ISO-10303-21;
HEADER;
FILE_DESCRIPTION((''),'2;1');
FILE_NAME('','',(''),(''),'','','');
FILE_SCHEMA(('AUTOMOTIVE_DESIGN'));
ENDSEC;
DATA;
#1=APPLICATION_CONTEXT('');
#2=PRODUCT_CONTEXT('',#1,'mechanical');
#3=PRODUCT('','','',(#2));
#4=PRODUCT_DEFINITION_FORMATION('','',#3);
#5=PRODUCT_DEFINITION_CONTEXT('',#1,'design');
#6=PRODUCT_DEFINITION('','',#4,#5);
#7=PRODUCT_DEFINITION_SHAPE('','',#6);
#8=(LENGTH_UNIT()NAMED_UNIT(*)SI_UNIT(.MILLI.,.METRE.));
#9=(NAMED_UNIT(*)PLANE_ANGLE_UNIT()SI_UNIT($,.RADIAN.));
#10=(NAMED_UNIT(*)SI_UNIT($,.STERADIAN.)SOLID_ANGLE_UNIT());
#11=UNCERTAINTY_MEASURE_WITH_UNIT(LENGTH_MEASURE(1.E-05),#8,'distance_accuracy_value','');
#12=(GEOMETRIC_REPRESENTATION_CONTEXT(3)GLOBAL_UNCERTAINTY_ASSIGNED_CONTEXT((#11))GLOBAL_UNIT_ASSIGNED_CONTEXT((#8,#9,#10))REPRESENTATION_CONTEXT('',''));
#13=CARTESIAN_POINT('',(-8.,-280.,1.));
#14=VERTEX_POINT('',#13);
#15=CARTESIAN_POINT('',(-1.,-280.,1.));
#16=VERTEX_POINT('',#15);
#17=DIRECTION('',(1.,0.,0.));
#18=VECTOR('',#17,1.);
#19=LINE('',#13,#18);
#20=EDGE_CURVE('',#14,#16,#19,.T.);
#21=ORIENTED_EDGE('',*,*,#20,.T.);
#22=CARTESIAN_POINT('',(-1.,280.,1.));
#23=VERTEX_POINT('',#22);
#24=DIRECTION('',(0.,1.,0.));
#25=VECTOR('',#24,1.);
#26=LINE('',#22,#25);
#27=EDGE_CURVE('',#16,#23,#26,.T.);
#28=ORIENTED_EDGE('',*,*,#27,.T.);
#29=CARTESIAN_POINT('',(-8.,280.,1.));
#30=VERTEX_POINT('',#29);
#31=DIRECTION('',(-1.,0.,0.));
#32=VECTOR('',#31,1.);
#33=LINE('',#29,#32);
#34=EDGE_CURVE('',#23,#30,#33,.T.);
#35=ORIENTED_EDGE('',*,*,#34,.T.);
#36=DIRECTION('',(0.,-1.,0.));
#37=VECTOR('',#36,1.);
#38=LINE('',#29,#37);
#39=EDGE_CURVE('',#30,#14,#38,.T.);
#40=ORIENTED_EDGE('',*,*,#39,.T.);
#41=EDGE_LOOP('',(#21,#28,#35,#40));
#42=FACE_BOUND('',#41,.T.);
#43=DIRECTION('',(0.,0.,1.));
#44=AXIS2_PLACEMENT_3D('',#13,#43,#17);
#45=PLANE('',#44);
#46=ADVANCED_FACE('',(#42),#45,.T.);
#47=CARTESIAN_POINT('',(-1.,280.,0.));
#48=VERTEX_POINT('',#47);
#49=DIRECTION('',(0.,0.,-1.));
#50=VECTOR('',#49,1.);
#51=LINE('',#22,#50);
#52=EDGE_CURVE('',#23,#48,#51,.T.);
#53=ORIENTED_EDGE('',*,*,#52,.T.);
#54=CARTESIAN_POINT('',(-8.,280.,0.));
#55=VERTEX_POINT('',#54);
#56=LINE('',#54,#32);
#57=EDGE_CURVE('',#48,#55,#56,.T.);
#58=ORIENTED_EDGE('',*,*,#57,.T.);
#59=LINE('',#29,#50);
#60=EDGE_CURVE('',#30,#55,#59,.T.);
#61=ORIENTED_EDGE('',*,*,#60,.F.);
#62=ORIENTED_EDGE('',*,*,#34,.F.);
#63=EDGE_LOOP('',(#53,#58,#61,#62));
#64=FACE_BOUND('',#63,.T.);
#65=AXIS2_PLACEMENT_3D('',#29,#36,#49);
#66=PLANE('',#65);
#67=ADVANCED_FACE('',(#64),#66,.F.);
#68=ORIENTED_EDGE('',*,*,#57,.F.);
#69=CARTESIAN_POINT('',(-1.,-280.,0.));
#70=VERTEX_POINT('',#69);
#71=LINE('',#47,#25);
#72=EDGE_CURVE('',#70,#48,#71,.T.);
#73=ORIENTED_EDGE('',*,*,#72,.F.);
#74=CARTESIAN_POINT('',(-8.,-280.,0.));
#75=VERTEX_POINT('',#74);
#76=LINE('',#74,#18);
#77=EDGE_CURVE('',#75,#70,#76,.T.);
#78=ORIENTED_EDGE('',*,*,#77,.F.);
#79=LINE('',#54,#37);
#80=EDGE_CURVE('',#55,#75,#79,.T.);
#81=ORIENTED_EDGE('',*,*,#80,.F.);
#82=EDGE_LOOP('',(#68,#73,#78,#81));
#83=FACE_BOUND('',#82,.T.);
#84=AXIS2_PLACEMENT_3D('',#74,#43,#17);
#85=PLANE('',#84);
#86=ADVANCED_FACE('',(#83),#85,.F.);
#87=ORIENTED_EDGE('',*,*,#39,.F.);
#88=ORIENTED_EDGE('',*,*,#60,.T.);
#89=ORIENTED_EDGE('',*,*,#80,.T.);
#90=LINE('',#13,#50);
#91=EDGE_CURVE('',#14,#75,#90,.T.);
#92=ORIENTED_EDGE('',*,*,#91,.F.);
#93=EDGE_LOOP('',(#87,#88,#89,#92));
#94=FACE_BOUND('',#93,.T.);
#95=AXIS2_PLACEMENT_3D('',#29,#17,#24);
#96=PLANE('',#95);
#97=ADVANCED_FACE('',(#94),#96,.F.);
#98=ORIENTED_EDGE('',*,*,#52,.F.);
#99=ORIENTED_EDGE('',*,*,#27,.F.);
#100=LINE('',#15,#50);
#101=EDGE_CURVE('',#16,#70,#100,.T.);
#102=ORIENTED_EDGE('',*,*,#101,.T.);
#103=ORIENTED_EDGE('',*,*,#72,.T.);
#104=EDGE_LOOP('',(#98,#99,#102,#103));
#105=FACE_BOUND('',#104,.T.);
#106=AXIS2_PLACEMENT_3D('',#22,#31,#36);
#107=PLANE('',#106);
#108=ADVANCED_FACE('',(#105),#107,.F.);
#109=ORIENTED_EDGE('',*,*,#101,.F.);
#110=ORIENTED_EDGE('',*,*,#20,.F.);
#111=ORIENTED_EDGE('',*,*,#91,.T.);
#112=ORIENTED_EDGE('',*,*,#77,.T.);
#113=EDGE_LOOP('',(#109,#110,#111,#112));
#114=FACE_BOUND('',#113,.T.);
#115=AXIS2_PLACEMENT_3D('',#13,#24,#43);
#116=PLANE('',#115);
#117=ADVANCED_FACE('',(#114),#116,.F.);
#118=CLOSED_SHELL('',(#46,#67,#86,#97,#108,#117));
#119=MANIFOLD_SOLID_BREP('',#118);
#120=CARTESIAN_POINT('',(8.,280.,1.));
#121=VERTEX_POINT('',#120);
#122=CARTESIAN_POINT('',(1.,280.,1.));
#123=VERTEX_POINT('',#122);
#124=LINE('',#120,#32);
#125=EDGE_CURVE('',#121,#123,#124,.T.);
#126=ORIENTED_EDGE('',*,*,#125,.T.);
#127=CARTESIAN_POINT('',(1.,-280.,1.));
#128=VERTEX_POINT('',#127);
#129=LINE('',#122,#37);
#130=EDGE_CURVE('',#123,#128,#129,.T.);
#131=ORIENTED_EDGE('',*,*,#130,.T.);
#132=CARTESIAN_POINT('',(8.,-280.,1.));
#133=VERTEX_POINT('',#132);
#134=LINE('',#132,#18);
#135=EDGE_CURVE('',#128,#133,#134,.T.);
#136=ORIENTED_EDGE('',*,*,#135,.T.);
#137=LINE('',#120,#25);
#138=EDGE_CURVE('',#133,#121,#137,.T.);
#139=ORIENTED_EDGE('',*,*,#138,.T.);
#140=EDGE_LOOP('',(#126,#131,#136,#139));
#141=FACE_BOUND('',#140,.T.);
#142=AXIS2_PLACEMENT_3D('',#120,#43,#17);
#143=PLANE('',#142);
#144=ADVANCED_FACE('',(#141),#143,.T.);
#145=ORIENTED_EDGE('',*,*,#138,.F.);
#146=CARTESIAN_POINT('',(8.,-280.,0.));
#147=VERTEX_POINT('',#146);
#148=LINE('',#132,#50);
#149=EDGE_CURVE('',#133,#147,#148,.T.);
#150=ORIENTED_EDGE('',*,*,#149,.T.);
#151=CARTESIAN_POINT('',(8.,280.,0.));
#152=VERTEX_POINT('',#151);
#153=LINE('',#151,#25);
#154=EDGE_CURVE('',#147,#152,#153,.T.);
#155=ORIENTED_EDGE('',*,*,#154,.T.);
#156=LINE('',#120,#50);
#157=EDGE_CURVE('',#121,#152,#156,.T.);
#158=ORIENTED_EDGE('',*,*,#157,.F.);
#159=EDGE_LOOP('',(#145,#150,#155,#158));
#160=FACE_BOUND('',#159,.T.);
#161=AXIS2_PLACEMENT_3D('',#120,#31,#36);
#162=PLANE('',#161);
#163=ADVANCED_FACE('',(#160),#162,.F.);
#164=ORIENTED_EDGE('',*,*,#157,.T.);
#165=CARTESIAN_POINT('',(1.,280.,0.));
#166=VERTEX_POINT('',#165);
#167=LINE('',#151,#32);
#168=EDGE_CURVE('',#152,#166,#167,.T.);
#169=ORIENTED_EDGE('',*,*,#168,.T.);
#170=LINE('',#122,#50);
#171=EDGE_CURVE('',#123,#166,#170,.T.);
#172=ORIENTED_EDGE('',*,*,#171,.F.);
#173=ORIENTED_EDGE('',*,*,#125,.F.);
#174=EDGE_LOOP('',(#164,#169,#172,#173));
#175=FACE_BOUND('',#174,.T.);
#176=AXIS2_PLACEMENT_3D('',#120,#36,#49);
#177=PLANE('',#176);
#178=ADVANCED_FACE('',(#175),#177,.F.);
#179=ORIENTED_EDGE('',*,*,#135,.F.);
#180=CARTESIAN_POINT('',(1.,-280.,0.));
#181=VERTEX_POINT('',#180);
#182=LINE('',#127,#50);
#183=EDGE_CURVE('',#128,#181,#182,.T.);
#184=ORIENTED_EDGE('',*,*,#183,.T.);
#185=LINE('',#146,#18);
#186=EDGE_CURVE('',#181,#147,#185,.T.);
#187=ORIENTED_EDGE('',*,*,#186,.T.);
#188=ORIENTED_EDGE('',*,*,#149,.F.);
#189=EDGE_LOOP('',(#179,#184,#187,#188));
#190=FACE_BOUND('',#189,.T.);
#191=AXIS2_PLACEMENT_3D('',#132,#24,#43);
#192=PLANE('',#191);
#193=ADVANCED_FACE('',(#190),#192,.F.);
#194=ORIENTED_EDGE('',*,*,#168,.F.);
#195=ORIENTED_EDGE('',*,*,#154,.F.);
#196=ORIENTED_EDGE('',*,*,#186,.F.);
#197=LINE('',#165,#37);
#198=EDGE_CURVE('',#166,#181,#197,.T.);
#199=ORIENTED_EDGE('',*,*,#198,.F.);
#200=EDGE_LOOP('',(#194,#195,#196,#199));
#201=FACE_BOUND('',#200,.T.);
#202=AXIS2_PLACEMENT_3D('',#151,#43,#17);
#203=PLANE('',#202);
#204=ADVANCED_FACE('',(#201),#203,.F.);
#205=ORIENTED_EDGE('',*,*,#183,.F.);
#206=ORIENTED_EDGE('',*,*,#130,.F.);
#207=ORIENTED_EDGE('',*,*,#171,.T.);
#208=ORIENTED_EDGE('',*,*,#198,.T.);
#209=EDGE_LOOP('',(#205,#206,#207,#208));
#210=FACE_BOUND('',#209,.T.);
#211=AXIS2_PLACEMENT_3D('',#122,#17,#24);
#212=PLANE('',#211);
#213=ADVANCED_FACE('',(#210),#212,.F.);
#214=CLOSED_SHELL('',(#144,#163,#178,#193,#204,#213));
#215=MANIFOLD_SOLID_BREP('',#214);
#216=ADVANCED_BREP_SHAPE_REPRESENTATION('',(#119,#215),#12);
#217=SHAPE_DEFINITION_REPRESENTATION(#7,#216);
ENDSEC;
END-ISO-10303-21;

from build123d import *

# Parameters (mm, degrees)
ESQUISSE1_W        = 7
ESQUISSE1_H        = 560
EXTRUSION1_DEPTH   = 1
EXTRUSION1_2_DEPTH = 1


with BuildPart() as part:
    # Esquisse1 → Extrusion1 (new body)
    with BuildSketch(Plane.XY):
        with Locations((4.5, 0)):
            Rectangle(ESQUISSE1_W, ESQUISSE1_H)
    extrude(amount=EXTRUSION1_DEPTH)


with BuildPart() as body_2:
    # Esquisse1 → Extrusion1 2 (new body)
    with BuildSketch(Plane.XY):
        with Locations((-4.5, 0)):
            Rectangle(ESQUISSE1_W, ESQUISSE1_H)
    extrude(amount=EXTRUSION1_2_DEPTH)


solid = Compound([part.part, body_2.part])
